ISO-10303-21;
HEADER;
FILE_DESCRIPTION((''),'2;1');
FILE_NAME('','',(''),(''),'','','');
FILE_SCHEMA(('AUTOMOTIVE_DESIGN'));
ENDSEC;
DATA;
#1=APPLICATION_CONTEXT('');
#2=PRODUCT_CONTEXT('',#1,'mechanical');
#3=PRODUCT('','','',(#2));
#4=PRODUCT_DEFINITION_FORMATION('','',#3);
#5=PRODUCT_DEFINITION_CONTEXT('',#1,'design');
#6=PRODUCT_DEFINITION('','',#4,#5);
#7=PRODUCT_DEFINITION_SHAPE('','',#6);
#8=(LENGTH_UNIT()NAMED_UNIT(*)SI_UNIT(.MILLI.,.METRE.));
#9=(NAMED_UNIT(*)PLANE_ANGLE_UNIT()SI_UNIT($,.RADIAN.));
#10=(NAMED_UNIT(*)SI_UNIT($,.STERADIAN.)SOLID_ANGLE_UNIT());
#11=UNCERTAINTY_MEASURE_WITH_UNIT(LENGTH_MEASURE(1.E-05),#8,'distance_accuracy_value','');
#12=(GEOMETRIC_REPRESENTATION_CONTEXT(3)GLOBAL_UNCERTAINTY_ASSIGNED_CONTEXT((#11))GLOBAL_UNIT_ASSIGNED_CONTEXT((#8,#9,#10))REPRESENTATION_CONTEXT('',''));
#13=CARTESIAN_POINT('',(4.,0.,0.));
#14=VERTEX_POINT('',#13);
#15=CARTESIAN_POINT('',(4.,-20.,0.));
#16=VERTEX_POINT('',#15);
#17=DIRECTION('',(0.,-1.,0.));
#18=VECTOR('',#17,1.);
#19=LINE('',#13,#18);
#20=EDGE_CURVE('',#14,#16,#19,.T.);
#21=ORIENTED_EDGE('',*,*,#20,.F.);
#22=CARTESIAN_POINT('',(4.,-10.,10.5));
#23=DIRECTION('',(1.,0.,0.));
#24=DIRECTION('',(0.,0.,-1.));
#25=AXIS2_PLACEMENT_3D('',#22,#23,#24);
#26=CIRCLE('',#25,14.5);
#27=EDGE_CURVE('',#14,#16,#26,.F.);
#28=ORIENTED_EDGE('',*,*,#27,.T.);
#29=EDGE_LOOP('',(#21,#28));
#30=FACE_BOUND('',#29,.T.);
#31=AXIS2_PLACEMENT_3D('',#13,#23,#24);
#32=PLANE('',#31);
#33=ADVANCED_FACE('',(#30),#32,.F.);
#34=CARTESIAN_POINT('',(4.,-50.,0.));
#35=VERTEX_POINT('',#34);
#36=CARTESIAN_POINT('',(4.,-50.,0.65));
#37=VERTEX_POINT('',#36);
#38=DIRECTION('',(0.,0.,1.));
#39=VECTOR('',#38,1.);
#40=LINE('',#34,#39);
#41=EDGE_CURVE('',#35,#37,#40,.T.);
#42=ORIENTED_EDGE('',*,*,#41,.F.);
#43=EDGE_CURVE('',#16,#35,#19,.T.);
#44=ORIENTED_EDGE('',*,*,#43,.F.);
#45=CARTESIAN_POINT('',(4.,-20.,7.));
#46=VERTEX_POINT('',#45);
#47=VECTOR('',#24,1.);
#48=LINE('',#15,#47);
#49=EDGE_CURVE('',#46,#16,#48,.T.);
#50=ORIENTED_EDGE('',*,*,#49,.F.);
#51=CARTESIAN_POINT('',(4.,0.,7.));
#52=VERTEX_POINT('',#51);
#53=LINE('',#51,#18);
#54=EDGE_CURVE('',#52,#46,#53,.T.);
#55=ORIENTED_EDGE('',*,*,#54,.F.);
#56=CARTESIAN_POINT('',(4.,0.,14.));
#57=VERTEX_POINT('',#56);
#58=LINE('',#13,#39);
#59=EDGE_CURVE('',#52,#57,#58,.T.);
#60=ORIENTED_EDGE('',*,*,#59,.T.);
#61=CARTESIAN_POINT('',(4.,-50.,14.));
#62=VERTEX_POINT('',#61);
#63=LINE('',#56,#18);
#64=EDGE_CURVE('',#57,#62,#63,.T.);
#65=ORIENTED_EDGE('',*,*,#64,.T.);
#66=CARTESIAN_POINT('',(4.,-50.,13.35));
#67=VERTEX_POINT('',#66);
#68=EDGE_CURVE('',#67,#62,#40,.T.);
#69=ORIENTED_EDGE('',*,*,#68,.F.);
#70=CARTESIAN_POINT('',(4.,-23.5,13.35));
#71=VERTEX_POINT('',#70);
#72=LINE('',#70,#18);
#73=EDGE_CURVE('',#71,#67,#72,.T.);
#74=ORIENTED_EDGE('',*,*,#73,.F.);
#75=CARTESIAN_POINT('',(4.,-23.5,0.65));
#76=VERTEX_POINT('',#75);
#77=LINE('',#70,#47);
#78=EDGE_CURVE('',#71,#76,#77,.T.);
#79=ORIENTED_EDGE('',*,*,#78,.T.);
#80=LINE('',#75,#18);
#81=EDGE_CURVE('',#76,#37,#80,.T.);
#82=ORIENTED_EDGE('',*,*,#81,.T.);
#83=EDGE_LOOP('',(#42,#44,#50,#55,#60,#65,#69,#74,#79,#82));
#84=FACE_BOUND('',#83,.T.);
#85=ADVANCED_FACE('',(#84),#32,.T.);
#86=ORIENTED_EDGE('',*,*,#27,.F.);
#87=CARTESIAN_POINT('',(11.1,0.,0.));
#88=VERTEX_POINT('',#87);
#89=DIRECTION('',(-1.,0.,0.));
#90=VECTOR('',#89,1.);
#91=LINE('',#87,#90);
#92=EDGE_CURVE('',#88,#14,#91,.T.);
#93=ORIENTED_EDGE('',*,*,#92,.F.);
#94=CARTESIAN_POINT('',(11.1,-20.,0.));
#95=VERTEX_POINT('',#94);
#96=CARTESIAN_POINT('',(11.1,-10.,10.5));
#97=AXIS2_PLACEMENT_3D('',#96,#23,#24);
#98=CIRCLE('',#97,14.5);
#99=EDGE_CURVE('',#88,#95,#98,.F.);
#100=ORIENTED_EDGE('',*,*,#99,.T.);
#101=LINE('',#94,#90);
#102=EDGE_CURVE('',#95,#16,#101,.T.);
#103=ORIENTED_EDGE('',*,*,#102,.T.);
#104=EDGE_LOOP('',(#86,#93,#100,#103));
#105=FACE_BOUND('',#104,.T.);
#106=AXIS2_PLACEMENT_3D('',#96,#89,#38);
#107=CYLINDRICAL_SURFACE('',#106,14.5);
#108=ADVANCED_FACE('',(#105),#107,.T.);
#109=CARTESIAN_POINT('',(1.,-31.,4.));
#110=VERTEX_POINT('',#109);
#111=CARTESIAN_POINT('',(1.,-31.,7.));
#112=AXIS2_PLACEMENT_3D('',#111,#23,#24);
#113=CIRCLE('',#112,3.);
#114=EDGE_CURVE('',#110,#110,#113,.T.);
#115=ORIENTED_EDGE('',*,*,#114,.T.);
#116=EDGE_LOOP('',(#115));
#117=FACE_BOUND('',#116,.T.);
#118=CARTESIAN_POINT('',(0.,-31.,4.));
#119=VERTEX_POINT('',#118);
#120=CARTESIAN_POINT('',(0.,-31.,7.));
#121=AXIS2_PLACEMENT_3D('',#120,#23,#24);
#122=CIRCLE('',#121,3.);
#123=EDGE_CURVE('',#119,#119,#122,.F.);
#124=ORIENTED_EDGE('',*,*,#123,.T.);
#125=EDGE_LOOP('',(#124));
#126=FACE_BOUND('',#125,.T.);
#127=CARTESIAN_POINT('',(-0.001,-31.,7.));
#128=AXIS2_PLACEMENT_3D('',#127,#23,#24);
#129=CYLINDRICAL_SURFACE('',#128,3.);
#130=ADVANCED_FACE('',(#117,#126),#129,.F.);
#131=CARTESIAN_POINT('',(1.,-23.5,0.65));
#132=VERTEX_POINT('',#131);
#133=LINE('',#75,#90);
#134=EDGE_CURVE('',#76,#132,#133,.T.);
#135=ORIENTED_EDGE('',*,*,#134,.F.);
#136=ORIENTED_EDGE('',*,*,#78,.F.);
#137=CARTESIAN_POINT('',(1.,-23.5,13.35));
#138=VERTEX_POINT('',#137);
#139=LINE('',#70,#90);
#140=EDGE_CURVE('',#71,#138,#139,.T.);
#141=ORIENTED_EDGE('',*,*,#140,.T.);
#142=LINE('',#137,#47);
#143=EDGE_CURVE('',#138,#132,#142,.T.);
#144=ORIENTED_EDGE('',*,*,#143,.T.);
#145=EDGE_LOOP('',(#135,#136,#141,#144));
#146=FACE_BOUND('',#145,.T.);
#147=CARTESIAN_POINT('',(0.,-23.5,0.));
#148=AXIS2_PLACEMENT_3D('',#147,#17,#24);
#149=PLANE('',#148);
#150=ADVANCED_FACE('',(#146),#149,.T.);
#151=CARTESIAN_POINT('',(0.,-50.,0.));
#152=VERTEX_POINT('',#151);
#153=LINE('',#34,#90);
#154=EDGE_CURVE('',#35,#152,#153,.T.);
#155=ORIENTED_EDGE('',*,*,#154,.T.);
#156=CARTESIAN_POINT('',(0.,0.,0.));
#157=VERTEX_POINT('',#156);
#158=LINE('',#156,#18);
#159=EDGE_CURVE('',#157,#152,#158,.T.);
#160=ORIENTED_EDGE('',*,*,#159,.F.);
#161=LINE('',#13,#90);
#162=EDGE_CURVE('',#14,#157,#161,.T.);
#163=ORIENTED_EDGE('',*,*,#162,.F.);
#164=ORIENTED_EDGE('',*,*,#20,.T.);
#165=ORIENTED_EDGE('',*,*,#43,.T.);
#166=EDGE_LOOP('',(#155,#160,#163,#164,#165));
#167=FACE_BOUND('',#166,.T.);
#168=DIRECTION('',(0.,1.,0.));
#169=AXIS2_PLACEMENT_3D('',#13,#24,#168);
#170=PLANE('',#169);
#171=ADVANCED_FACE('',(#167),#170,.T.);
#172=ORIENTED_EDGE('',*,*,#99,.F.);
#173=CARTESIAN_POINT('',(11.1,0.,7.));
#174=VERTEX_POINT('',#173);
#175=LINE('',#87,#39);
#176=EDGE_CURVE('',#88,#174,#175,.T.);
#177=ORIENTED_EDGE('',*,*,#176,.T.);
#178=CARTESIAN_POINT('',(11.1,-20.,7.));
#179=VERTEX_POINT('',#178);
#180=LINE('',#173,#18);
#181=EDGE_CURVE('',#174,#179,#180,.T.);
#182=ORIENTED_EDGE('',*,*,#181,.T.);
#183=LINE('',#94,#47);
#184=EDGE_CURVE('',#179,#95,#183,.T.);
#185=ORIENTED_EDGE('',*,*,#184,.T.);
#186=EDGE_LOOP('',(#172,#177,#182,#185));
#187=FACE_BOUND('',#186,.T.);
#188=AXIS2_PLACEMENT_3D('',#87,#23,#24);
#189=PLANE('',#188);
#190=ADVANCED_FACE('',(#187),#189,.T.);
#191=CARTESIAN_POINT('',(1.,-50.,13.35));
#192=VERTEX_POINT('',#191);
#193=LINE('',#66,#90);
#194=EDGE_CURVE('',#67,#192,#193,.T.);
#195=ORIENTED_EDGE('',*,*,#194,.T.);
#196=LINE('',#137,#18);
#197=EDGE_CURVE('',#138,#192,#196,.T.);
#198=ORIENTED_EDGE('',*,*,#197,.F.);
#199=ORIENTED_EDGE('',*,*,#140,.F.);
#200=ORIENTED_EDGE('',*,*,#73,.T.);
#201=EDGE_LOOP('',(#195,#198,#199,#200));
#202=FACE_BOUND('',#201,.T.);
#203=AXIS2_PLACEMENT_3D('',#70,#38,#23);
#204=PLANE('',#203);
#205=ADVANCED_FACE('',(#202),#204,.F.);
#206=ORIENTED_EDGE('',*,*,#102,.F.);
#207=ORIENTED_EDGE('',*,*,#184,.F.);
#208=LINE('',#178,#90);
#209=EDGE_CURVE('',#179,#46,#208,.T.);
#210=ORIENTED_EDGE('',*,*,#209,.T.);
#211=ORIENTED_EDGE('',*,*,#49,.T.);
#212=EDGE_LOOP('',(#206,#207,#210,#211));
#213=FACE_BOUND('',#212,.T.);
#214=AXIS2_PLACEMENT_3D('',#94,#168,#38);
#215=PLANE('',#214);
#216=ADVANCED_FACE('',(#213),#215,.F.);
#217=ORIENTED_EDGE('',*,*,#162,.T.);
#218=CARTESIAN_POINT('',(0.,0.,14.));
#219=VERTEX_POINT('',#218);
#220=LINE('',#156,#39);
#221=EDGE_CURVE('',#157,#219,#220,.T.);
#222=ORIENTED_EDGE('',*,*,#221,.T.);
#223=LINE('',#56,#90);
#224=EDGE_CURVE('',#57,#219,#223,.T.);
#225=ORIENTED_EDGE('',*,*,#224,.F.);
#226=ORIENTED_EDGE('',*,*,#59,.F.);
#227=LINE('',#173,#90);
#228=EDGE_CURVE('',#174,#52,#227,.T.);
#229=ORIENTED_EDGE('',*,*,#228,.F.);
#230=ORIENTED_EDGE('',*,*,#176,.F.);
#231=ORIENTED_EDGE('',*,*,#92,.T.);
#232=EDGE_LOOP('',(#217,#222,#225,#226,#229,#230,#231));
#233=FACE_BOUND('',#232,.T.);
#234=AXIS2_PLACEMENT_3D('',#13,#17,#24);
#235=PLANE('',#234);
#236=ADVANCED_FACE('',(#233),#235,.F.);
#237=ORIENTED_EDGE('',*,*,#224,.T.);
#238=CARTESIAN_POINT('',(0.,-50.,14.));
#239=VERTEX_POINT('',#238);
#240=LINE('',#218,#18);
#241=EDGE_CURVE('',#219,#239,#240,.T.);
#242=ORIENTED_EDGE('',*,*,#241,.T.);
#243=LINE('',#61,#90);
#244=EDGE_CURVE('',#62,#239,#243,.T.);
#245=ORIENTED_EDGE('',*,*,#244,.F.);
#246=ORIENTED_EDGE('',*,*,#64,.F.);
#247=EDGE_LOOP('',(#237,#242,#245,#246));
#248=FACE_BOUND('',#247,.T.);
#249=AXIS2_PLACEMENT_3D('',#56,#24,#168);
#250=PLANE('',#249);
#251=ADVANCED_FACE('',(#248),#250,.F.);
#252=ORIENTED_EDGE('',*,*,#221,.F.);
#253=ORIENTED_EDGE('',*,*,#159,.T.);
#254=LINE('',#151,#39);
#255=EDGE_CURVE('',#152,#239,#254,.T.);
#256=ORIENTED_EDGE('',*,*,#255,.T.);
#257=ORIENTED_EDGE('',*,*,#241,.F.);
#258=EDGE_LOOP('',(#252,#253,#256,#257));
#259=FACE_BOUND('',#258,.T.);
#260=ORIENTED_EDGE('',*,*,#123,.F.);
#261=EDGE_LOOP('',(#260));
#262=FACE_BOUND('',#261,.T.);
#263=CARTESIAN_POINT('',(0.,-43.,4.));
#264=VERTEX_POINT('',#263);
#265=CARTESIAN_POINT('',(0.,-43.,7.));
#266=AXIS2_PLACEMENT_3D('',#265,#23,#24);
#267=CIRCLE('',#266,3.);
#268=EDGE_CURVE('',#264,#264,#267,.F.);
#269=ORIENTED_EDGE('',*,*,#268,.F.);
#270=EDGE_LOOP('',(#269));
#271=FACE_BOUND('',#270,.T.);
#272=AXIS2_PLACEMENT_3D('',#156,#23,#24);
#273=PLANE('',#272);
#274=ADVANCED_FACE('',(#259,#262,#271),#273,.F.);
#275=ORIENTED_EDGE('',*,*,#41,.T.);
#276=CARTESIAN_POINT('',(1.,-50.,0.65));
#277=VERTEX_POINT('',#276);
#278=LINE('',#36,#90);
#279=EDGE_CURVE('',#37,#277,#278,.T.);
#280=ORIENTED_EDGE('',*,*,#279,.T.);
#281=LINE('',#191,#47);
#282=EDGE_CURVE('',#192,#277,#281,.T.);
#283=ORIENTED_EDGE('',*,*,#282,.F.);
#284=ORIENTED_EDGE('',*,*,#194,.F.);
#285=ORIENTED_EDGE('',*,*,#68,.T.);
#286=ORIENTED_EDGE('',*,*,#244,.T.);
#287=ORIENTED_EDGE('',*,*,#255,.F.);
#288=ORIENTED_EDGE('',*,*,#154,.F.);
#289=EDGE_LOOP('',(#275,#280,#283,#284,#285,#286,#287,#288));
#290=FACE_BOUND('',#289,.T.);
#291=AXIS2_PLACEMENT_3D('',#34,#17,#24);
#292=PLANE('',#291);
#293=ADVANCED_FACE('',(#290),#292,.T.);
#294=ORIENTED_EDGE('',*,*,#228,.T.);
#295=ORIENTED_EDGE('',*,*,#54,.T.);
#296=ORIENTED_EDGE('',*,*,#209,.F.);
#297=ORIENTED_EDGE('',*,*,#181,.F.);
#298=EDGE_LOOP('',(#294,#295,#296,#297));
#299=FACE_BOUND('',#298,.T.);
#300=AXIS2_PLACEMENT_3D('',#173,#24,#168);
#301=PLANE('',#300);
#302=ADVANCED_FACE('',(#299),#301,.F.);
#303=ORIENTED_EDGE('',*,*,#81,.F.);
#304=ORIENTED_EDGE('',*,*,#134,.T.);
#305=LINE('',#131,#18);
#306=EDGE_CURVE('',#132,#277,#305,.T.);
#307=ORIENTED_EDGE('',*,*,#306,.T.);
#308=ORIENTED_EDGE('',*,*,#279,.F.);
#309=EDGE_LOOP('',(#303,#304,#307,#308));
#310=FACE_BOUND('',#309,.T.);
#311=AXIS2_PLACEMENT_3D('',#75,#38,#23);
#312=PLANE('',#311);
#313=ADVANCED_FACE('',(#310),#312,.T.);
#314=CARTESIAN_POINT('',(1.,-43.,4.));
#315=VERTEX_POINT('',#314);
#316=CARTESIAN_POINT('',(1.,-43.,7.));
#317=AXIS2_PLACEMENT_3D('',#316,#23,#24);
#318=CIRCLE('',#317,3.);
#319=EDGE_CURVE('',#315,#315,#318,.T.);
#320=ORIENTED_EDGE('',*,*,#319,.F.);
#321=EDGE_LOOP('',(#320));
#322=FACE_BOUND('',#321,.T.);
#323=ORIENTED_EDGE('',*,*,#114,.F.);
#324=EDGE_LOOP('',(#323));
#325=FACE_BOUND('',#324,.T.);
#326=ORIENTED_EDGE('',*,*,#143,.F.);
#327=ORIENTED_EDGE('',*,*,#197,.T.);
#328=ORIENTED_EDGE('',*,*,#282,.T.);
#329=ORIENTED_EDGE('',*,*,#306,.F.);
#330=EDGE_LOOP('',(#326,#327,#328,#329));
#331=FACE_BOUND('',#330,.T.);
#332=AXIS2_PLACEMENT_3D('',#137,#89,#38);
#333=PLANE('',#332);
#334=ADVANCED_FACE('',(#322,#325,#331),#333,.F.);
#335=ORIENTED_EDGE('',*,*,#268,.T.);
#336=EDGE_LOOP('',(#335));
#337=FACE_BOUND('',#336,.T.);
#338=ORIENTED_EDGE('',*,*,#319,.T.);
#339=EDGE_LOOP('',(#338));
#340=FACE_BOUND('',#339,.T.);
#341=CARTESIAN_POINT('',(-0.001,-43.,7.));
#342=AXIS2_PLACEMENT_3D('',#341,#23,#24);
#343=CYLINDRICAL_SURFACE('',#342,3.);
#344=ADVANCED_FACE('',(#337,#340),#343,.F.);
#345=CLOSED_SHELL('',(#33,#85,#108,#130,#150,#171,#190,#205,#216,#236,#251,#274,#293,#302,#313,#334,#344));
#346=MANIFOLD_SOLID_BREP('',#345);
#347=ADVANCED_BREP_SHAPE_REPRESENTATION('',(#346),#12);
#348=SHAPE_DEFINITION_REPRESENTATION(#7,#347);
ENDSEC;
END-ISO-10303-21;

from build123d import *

# Parameters (mm, degrees)
CROQUIS1_W              = 14
CROQUIS1_H              = 50
SALIENTE_EXTRUIR1_DEPTH = 4
CROQUIS2_W              = 3
CROQUIS2_H              = 12.7
CORTAR_EXTRUIR1_DEPTH   = 26.5
SALIENTE_EXTRUIR2_DEPTH = 7.1
CORTAR_EXTRUIR2_REACH   = 54.896
CROQUIS4_R              = 3


with BuildPart() as part:
    # Croquis1 → Saliente-Extruir1 (new body)
    with BuildSketch(Plane(origin=(0, 0, 0), x_dir=(0, 0, -1), z_dir=(1, 0, 0))):
        with Locations((-7, -25)):
            Rectangle(CROQUIS1_W, CROQUIS1_H)
    extrude(amount=SALIENTE_EXTRUIR1_DEPTH)

    # Croquis2 → Cortar-Extruir1 (cut)
    with BuildSketch(Plane.XZ.offset(50)):
        with Locations((2.5, 7)):
            Rectangle(CROQUIS2_W, CROQUIS2_H)
    extrude(amount=-CORTAR_EXTRUIR1_DEPTH, mode=Mode.SUBTRACT)

    # Croquis3 → Saliente-Extruir2 (add)
    with BuildSketch(Plane(origin=(4, 0, 0), x_dir=(0, 0, -1), z_dir=(1, 0, 0))):
        with BuildLine():
            ThreePointArc((0, -20), (4, -10), (0, 0))
            Line((0, 0), (0, -10))
            Line((0, -10), (0, -20))
        make_face()
        Polygon((0, 0), (-7, 0), (-7, -20), (0, -20), (0, -10), align=None)
    extrude(amount=SALIENTE_EXTRUIR2_DEPTH)

    # Croquis4 → Cortar-Extruir2 (cut, up to next)
    with BuildSketch(Plane(origin=(1, 0, 0), x_dir=(0, 0, -1), z_dir=(1, 0, 0)), mode=Mode.PRIVATE) as cortar_extruir2_sk1:
        with Locations((-7, -31)):
            Circle(CROQUIS4_R)
    cortar_extruir2_tool1 = extrude(cortar_extruir2_sk1.sketch, amount=-CORTAR_EXTRUIR2_REACH, mode=Mode.PRIVATE) & part.part
    # Croquis4 → Cortar-Extruir2 (cut, up to next)
    with BuildSketch(Plane(origin=(1, 0, 0), x_dir=(0, 0, -1), z_dir=(1, 0, 0)), mode=Mode.PRIVATE) as cortar_extruir2_sk2:
        with Locations((-7, -43)):
            Circle(CROQUIS4_R)
    cortar_extruir2_tool2 = extrude(cortar_extruir2_sk2.sketch, amount=-CORTAR_EXTRUIR2_REACH, mode=Mode.PRIVATE) & part.part
    add(cortar_extruir2_tool1.solids().sort_by_distance((1, -31, 7))[0], mode=Mode.SUBTRACT)
    add(cortar_extruir2_tool2.solids().sort_by_distance((1, -43, 7))[0], mode=Mode.SUBTRACT)


solid = part.part
